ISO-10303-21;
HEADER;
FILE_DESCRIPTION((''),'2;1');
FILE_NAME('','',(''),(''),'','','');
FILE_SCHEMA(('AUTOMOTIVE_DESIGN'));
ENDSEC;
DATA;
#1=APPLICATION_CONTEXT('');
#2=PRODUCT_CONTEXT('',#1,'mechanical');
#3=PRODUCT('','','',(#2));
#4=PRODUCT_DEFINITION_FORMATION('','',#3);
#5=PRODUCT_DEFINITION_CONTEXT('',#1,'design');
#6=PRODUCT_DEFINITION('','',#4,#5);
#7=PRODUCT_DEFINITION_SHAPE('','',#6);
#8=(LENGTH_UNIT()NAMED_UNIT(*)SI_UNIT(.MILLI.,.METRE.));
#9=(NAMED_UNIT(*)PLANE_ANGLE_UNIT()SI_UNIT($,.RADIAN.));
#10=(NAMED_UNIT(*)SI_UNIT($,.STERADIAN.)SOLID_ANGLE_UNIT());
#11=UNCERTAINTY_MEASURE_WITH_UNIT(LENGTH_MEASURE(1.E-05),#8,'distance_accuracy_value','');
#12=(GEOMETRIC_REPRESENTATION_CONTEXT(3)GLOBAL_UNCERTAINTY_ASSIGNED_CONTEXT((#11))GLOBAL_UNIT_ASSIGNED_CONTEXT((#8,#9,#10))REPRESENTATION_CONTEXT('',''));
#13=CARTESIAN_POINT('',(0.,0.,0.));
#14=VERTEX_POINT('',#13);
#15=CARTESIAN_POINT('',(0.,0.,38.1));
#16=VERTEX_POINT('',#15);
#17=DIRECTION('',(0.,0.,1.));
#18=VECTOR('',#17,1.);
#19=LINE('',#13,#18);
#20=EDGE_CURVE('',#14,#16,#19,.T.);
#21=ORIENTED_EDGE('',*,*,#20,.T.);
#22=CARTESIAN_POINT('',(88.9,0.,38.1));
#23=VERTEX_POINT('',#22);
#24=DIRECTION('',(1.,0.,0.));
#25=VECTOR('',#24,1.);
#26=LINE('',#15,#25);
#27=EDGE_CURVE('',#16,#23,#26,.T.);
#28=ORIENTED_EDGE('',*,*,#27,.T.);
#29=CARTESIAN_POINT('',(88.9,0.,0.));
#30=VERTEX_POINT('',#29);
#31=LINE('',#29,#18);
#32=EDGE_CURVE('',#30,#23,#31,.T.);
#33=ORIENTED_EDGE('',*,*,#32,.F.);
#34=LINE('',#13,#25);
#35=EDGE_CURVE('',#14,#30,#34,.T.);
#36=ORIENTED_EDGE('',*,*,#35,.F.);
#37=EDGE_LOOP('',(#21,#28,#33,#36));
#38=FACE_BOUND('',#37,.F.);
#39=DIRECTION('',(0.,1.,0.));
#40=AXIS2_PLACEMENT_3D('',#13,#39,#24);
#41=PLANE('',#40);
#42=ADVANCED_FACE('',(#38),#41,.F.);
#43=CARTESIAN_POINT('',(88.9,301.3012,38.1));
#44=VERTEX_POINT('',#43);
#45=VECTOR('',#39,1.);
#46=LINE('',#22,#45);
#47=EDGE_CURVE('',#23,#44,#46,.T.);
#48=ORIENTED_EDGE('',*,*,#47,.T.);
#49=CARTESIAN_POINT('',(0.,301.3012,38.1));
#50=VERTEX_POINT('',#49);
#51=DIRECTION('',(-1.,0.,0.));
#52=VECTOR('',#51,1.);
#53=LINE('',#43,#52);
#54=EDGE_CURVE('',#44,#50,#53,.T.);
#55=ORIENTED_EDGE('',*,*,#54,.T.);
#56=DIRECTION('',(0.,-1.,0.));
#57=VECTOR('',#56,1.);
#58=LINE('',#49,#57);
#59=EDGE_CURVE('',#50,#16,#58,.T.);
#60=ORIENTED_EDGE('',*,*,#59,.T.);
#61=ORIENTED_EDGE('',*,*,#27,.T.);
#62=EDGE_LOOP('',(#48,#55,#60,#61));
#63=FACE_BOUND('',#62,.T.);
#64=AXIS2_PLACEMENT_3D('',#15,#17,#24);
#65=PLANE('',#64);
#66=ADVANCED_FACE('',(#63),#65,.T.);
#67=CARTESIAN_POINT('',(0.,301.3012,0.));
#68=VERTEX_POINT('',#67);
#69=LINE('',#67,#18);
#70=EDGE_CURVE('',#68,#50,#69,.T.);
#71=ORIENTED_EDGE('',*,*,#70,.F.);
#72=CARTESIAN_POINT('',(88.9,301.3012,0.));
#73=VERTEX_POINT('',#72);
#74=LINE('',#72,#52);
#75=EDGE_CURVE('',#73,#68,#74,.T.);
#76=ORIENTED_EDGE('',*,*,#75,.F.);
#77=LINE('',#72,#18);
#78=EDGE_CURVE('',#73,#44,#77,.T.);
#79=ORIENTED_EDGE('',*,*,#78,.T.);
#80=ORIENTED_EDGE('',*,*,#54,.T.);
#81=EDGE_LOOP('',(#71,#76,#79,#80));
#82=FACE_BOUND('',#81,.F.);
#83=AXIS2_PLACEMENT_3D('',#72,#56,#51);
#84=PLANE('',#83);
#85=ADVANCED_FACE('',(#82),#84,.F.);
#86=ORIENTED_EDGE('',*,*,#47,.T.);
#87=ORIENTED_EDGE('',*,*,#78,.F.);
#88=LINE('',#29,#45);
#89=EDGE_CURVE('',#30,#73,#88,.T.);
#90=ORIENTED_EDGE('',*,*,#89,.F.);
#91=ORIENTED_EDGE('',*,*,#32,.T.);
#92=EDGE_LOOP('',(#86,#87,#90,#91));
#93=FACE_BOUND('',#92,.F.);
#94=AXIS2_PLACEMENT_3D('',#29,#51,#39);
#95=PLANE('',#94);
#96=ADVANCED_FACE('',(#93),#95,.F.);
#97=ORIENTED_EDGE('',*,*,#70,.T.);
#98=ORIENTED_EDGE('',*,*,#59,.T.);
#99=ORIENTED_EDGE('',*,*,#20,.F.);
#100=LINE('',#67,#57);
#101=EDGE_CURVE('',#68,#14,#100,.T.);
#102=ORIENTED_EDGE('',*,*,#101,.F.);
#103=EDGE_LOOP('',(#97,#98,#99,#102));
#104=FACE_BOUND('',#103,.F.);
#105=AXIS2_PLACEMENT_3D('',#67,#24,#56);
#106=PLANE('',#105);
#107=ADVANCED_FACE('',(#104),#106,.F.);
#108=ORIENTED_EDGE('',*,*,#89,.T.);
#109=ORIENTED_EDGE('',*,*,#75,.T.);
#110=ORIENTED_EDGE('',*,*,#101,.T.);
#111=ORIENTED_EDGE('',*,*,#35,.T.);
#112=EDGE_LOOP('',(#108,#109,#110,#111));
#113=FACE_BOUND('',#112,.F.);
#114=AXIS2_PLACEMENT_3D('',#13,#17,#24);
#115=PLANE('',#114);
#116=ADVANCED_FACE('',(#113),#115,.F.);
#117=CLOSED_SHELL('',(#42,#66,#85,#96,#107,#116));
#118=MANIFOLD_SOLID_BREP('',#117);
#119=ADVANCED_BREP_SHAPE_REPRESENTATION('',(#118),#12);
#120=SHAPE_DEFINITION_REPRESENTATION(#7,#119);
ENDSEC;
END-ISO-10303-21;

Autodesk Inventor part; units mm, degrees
ref_plane "YZ Plane" through (0, 0, 0) normal (1, 0, 0) x (0, 1, 0)
ref_plane "XZ Plane" through (0, 0, 0) normal (0, 1, 0) x (-1, 0, 0)
ref_plane "XY Plane" through (0, 0, 0) normal (0, 0, 1) x (1, 0, 0)
sketch "Sketch1" plane through (0, 0, 0) normal (0, 0, 1) x (1, 0, 0)
  line L0 (0, 0) -> (88.9, 0)
  line L1 (88.9, 0) -> (88.9, 301.3012)
  line L2 (88.9, 301.3012) -> (0, 301.3012)
  line L3 (0, 301.3012) -> (0, 0)
  dimension "d0" = 88.9
  dimension "d1" = 301.3012
extrude "Extrusion1" add sketch "Sketch1" along normal blind 38.1
properties part number "Stud_With_Height_10_Inches" material "Wood (Birch)"
